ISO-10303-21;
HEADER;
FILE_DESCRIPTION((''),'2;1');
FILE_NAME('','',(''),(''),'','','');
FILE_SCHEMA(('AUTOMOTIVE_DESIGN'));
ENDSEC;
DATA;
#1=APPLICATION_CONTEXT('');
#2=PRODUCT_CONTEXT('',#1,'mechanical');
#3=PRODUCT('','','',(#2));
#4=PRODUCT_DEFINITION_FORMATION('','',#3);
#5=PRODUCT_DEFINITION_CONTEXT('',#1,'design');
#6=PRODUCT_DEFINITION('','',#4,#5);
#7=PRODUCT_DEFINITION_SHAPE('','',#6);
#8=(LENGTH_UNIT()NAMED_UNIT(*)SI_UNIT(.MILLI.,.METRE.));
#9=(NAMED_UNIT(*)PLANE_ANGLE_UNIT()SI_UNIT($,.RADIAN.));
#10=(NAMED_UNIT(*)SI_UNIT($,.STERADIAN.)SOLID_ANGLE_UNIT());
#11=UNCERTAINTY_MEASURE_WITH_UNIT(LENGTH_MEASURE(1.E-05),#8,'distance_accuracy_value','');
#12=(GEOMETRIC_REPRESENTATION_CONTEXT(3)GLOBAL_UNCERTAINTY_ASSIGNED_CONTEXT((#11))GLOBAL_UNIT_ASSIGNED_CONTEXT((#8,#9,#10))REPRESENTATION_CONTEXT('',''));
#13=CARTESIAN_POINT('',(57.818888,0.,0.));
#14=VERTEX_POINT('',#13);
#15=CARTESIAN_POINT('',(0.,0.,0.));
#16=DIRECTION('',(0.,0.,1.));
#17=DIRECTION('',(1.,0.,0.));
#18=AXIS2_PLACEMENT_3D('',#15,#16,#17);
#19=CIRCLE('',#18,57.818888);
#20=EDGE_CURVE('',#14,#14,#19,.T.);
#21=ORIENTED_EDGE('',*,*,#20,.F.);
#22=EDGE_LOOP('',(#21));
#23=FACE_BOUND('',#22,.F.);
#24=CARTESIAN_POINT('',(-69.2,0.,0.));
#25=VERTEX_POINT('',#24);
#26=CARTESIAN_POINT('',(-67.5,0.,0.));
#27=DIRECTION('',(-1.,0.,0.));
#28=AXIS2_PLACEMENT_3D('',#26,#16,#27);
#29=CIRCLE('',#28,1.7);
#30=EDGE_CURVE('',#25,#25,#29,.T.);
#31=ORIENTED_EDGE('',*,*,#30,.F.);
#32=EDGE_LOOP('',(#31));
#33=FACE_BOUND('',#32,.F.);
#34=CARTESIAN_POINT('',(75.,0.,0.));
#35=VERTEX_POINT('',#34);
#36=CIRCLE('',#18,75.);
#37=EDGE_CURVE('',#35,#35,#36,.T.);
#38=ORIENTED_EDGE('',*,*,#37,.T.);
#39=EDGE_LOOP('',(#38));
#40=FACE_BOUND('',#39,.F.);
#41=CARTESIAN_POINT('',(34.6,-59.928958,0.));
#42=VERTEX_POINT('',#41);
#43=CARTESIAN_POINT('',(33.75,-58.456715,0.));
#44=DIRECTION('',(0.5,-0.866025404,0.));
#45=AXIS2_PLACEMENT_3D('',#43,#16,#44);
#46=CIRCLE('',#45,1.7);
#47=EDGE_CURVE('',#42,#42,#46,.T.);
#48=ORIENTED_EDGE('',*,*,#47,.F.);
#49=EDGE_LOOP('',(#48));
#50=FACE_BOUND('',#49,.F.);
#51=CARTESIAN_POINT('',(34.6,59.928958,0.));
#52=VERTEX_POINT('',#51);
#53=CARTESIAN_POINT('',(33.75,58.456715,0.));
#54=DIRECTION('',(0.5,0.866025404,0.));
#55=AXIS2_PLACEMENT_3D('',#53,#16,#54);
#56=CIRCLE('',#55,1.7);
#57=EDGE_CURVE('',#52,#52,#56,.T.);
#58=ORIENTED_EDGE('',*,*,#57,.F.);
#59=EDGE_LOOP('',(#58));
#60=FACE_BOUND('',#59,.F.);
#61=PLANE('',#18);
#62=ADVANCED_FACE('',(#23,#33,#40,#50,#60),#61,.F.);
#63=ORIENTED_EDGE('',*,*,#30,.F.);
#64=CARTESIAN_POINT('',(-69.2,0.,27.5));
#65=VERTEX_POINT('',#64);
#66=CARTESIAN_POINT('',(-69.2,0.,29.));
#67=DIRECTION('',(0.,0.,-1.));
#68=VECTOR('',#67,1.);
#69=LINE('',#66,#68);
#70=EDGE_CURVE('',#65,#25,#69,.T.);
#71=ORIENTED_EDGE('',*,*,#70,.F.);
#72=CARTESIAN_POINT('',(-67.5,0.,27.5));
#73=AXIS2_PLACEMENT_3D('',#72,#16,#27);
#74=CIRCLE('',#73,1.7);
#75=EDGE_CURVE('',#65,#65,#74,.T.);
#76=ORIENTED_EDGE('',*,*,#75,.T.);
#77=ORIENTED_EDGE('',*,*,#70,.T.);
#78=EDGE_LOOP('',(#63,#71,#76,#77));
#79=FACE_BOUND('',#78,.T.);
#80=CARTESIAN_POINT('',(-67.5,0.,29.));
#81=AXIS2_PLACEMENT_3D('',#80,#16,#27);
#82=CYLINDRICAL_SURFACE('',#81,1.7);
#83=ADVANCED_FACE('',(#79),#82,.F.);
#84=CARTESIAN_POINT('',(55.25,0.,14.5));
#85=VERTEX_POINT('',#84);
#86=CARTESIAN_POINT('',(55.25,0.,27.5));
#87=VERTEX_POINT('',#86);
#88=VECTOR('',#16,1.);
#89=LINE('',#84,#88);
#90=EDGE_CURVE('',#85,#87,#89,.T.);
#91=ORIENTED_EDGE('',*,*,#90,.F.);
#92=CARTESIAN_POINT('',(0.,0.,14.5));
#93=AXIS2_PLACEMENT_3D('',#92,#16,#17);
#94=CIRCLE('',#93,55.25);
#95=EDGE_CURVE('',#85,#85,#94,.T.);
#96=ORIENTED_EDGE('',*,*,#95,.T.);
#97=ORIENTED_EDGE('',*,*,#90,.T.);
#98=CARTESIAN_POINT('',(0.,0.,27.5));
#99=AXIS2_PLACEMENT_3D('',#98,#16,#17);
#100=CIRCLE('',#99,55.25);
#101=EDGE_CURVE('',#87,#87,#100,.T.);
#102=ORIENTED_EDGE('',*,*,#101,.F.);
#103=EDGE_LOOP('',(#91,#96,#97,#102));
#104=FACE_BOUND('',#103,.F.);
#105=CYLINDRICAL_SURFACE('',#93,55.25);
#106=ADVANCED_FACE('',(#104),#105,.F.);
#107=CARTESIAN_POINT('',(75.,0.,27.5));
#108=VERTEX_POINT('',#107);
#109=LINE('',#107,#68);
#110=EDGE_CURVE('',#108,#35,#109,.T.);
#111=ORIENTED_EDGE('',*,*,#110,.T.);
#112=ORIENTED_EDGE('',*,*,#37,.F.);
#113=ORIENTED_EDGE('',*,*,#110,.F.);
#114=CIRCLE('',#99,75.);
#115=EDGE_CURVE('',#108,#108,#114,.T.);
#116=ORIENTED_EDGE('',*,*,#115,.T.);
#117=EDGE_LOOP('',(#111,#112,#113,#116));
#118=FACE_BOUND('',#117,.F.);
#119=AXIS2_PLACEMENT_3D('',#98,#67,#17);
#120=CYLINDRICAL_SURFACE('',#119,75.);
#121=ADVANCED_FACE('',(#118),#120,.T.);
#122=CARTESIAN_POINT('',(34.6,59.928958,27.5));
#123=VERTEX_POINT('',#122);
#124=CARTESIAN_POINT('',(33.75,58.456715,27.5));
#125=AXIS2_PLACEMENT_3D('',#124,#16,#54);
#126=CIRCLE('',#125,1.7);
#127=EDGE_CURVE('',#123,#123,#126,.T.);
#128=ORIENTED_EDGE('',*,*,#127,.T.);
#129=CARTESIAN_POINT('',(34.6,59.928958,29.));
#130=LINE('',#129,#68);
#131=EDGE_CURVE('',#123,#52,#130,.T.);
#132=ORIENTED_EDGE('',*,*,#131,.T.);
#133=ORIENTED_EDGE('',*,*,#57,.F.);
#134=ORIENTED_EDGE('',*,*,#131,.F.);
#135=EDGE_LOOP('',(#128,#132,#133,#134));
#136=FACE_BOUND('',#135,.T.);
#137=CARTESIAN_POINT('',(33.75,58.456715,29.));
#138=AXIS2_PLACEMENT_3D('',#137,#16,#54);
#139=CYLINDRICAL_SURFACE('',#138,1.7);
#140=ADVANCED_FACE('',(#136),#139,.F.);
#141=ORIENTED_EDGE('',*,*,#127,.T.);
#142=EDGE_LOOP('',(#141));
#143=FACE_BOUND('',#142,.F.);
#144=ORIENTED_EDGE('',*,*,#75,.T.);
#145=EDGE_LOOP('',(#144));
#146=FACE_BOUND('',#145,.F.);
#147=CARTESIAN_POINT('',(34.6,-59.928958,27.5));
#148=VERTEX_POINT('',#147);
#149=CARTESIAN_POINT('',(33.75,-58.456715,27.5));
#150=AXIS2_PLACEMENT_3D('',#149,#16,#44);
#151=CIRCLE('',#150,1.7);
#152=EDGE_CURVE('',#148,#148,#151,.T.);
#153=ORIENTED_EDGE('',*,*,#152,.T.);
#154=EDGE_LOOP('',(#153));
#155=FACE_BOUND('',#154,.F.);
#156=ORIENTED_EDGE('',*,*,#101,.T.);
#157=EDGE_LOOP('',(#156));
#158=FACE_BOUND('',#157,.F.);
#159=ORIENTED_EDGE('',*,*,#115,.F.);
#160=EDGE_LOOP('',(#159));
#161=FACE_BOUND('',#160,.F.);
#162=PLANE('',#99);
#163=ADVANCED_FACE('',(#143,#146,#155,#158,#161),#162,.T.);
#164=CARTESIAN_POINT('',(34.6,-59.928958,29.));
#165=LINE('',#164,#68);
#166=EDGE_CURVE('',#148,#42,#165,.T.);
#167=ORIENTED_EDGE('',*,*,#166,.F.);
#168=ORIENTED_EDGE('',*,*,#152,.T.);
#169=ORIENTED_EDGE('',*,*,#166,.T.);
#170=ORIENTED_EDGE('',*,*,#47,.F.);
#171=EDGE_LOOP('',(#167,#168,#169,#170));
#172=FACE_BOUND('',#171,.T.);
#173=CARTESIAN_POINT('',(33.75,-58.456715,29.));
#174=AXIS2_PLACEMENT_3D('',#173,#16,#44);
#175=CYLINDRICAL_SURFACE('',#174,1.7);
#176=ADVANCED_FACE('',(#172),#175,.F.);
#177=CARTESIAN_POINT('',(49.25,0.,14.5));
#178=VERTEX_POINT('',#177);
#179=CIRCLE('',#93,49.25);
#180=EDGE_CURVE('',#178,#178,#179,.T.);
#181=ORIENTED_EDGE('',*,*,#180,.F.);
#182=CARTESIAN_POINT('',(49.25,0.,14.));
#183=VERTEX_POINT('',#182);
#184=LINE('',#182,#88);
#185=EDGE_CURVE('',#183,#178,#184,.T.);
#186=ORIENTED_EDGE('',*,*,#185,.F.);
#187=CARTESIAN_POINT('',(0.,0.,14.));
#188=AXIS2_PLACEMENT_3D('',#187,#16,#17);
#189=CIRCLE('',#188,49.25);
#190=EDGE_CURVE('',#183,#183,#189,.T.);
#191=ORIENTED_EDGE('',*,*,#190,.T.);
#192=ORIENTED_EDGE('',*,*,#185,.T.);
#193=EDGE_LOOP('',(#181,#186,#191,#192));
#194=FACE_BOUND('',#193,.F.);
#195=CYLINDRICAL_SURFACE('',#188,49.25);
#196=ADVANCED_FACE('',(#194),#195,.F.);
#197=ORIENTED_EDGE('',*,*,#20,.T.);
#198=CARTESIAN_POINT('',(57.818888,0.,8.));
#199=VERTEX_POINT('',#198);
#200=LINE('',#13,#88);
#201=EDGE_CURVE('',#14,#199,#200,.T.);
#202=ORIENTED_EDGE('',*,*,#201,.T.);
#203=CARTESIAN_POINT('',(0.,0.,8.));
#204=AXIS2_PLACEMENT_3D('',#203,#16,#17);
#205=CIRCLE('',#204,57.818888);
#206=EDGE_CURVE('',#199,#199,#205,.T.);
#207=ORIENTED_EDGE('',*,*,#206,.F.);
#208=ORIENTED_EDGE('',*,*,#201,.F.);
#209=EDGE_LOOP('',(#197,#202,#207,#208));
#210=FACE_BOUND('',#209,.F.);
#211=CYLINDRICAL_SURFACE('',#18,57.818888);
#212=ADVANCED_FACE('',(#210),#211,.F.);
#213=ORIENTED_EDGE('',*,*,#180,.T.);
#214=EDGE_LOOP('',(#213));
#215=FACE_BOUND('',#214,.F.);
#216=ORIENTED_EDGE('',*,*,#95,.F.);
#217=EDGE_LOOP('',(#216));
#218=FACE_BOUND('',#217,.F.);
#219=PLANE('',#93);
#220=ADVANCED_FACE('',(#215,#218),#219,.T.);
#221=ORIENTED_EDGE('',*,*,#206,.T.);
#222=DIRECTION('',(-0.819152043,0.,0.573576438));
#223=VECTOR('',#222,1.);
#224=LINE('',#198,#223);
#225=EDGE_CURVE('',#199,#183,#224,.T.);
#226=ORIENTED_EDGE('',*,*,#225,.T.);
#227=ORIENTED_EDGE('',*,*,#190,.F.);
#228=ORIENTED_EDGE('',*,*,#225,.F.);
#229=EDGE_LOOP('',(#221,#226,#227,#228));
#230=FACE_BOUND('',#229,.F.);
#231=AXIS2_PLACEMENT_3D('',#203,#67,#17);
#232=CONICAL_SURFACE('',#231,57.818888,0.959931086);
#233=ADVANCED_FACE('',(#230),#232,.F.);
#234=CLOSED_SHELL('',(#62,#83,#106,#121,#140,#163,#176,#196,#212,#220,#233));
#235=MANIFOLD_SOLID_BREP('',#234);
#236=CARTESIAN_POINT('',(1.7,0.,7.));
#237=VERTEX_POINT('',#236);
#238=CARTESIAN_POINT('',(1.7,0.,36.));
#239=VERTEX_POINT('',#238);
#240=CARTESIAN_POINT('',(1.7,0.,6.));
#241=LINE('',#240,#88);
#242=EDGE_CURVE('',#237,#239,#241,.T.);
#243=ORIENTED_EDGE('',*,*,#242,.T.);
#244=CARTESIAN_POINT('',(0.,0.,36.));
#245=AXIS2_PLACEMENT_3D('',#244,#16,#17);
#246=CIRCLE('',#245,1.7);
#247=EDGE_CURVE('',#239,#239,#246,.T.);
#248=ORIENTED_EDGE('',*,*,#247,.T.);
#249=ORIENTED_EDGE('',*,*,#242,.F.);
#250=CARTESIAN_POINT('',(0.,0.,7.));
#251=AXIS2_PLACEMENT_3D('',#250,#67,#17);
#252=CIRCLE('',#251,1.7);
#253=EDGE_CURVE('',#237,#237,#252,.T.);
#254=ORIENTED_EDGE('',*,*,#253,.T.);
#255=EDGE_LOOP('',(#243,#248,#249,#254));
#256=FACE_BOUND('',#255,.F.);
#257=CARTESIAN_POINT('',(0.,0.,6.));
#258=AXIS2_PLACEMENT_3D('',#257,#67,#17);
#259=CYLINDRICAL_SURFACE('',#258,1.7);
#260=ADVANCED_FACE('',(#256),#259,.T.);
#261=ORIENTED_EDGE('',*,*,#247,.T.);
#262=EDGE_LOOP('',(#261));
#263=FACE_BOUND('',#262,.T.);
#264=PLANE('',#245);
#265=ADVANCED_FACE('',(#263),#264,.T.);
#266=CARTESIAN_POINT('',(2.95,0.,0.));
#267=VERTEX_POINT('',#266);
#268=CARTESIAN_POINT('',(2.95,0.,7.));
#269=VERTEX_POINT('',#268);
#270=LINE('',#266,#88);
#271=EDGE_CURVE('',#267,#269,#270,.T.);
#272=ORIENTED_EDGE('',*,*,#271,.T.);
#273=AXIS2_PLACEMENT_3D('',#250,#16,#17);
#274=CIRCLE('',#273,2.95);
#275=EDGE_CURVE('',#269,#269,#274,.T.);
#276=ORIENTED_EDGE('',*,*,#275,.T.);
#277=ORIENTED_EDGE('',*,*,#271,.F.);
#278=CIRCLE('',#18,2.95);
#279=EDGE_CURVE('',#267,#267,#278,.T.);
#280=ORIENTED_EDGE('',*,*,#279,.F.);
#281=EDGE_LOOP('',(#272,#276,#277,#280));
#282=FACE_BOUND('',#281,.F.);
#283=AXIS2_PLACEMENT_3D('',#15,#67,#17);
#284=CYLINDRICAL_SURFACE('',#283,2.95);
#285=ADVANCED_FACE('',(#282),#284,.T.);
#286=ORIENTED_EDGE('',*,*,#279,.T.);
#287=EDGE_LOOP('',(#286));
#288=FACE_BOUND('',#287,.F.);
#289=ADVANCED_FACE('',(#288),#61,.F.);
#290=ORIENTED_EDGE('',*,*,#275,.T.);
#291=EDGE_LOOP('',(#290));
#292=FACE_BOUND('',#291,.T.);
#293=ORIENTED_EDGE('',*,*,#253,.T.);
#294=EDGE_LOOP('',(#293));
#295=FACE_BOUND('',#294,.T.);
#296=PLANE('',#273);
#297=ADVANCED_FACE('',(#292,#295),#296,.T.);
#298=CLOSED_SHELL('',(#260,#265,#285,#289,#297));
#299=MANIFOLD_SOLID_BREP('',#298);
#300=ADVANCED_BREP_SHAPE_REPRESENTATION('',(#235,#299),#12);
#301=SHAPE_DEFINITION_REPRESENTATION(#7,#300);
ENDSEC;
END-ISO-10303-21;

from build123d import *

# Parameters (mm, degrees)
CYLINDER_R               = 2.95
CYLINDER_DEPTH           = 7
CYLINDER001_R            = 1.7
CYLINDER001_DEPTH        = 30
CLONE393_PLACEMENT_ANGLE = 180
ARRAY021_COUNT           = 3


with BuildPart() as m3bolthead:
    # Cylinder → Cylinder (new body)
    with BuildSketch(Plane.XY):
        Circle(CYLINDER_R)
    extrude(amount=CYLINDER_DEPTH)


with BuildPart() as m3bolt:
    # Cylinder001 → Cylinder001 (new body)
    with BuildSketch(Plane.XY.offset(6)):
        Circle(CYLINDER001_R)
    extrude(amount=CYLINDER001_DEPTH)

    # Fusion: union M3BoltHead
    add(m3bolthead.part)


with BuildPart() as array021:
    # Clone393 base: copy of M3Bolt
    add(m3bolt.part)


with BuildPart() as array021_1:
    # Clone393 placement: moved
    add(array021.part.moved(Location((-67.5, 0, 35))).rotate(Axis((-67.5, 0, 35), (0, 1, 0)), CLONE393_PLACEMENT_ANGLE))

    # Array021: Array021 ×3 about axis
    array021_axis = Axis((0, 0, 0), (0, 0, 1))


with BuildPart() as array021_2:
    add(array021_1.part)
    for i in range(1, ARRAY021_COUNT):
        add(array021_1.part.rotate(array021_axis, i * 360 / ARRAY021_COUNT))


with BuildPart() as basetop:
    # Sketch076 → Revolution021 (revolve)
    with BuildSketch(Plane.XZ):
        Polygon((57.818888, 0), (57.818888, 8), (49.25, 14), (49.25, 14.5), (55.25, 14.5), (55.25, 27.5), (75, 27.5), (75, 0), align=None)
    revolve(axis=Axis((0, 0, 0), (0, 0, 1)))

    # Cut128: cut Array021
    add(array021_2.part, mode=Mode.SUBTRACT)


solid = Compound([m3bolt.part, basetop.part])
